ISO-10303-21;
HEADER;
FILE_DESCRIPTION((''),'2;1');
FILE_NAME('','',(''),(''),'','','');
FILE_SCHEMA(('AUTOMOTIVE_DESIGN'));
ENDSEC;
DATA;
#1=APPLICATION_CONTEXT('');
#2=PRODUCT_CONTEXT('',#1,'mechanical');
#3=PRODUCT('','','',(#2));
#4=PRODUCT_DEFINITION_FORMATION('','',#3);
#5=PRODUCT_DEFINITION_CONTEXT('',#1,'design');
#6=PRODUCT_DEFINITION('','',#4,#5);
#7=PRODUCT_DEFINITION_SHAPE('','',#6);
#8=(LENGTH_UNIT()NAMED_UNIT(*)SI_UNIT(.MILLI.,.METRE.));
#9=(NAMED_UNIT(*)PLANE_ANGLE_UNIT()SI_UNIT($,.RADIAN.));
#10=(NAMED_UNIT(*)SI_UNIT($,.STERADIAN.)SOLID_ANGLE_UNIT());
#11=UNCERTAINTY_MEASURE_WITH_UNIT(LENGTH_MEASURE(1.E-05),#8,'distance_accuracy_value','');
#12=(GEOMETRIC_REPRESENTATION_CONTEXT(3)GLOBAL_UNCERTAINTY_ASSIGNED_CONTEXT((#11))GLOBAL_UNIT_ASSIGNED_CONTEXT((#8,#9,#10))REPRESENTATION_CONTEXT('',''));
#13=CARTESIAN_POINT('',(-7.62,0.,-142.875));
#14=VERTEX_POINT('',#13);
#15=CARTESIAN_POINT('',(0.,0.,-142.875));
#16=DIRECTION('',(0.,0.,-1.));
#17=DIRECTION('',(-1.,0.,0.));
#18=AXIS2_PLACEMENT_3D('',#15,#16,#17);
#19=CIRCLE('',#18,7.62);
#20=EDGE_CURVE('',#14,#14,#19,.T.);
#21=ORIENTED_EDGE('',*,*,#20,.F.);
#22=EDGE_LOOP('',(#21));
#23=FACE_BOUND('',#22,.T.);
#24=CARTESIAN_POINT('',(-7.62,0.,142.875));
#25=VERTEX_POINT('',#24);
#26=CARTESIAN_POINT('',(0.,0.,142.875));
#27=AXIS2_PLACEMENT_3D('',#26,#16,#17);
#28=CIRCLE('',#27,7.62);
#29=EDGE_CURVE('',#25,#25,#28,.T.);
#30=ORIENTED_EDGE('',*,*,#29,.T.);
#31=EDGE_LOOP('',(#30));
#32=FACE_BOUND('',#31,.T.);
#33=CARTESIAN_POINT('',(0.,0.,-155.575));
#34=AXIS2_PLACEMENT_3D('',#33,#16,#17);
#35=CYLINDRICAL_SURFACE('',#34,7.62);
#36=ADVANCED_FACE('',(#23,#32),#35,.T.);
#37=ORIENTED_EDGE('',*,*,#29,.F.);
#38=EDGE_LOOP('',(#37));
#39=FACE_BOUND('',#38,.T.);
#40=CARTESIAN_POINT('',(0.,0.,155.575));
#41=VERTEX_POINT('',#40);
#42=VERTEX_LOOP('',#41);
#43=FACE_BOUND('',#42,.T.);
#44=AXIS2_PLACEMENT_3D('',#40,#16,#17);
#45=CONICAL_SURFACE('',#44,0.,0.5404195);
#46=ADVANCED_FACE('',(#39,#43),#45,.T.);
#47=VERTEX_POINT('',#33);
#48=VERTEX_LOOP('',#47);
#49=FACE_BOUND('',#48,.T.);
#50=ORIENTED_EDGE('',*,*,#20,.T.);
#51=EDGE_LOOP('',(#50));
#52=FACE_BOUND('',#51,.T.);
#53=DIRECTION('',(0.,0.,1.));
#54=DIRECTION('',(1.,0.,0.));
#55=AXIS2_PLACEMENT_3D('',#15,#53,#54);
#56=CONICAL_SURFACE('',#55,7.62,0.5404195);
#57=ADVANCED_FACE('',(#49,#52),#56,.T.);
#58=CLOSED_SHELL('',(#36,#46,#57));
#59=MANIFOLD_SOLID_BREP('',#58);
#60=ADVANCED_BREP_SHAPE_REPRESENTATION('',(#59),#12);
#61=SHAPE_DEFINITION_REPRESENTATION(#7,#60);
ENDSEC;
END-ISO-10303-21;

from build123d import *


with BuildPart() as part:
    # Sketch1 → Revolve1 (revolve)
    with BuildSketch(Plane(origin=(0, 0, 0), x_dir=(1, 0, 0), z_dir=(0, 1, 0)), mode=Mode.PRIVATE) as revolve1_sk:
        Polygon((7.62, 142.875), (7.62, -142.875), (0, -155.575), (0, 155.575), align=None)
    revolve(revolve1_sk.sketch.rotate(Axis((0, 0, -155.575), (0, 0, 1)), 180), axis=Axis((0, 0, -155.575), (0, 0, 1)))


solid = part.part
